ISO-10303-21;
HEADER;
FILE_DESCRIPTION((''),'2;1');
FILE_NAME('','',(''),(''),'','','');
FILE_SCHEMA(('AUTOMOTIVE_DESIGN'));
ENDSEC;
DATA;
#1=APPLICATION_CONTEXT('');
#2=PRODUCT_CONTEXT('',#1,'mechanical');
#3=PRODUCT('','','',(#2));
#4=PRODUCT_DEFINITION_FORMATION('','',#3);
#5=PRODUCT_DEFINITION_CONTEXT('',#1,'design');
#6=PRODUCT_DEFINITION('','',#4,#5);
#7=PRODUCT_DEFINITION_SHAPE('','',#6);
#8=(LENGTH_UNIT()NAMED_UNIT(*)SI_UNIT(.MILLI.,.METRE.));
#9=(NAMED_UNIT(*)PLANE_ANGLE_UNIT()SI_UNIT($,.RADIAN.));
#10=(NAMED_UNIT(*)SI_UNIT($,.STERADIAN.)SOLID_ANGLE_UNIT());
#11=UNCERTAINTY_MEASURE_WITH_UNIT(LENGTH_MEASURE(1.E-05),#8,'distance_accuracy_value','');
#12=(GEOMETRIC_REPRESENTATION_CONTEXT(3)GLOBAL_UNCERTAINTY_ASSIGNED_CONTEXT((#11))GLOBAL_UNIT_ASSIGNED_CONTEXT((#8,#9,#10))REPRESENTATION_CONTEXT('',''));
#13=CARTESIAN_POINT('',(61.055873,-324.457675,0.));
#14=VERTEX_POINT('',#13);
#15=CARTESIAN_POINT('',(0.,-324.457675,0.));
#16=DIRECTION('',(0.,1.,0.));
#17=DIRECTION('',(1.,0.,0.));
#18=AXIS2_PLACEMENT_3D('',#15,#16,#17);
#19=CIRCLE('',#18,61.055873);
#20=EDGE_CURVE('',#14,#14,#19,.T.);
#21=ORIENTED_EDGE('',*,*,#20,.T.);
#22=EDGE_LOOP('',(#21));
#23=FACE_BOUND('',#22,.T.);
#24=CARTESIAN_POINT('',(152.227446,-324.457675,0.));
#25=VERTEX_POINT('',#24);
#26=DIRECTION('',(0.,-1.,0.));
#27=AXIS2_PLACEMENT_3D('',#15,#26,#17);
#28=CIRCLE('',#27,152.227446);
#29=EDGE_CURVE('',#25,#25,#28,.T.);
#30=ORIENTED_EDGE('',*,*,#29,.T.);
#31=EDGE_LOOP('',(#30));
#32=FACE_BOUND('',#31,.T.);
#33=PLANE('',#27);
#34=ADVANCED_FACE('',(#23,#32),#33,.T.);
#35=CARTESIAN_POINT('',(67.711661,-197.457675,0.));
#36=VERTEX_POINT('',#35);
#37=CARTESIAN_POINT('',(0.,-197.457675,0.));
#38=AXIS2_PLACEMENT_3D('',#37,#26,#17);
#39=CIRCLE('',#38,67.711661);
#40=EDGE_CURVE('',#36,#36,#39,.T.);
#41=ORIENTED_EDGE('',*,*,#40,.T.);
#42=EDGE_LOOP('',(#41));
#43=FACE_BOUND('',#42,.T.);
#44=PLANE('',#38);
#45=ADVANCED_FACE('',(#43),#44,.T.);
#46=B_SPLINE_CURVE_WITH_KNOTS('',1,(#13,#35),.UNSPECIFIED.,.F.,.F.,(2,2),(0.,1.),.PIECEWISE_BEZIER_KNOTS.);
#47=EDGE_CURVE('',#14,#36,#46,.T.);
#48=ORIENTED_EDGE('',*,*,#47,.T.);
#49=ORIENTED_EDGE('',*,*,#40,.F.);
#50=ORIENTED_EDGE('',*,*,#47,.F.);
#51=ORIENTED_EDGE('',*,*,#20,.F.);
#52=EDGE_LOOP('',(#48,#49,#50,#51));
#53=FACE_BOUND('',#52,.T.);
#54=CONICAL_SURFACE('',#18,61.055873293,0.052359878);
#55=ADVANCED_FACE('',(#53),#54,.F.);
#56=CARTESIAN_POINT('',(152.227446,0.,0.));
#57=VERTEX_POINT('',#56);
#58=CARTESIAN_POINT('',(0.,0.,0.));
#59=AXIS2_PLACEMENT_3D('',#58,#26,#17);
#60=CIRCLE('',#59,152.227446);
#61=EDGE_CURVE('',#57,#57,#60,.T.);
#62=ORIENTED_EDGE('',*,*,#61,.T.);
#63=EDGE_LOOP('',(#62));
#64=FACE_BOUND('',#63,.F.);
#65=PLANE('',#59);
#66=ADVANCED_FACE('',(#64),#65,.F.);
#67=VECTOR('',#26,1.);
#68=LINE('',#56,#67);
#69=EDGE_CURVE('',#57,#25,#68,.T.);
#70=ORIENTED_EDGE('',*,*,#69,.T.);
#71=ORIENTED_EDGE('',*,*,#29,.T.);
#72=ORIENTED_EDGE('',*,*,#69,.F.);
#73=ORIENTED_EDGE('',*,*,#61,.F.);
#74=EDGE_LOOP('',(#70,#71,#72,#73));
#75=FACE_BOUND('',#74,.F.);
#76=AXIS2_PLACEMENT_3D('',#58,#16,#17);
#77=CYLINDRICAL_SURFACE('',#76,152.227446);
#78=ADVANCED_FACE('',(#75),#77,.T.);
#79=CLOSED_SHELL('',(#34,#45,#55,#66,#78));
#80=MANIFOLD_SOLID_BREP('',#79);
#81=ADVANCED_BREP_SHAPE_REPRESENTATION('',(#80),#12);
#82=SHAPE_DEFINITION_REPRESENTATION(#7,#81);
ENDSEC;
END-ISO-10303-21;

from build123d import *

# Parameters (mm, degrees)
F0_R     = 152.2274457146
F1_DEPTH = 324.4576752186
F2_R     = 61.0558732935
F3_DEPTH = 127
F3_TAPER = -3


with BuildPart() as f1:
    # F0 (on Front) → F1 (new body)
    with BuildSketch(Plane.XZ):
        Circle(F0_R)
    extrude(amount=F1_DEPTH)

    # F2 (on face) → F3 (cut)
    with BuildSketch(Plane.XZ.offset(324.4576752186)):
        Circle(F2_R)
    extrude(amount=-F3_DEPTH, taper=F3_TAPER, mode=Mode.SUBTRACT)


solid = f1.part
